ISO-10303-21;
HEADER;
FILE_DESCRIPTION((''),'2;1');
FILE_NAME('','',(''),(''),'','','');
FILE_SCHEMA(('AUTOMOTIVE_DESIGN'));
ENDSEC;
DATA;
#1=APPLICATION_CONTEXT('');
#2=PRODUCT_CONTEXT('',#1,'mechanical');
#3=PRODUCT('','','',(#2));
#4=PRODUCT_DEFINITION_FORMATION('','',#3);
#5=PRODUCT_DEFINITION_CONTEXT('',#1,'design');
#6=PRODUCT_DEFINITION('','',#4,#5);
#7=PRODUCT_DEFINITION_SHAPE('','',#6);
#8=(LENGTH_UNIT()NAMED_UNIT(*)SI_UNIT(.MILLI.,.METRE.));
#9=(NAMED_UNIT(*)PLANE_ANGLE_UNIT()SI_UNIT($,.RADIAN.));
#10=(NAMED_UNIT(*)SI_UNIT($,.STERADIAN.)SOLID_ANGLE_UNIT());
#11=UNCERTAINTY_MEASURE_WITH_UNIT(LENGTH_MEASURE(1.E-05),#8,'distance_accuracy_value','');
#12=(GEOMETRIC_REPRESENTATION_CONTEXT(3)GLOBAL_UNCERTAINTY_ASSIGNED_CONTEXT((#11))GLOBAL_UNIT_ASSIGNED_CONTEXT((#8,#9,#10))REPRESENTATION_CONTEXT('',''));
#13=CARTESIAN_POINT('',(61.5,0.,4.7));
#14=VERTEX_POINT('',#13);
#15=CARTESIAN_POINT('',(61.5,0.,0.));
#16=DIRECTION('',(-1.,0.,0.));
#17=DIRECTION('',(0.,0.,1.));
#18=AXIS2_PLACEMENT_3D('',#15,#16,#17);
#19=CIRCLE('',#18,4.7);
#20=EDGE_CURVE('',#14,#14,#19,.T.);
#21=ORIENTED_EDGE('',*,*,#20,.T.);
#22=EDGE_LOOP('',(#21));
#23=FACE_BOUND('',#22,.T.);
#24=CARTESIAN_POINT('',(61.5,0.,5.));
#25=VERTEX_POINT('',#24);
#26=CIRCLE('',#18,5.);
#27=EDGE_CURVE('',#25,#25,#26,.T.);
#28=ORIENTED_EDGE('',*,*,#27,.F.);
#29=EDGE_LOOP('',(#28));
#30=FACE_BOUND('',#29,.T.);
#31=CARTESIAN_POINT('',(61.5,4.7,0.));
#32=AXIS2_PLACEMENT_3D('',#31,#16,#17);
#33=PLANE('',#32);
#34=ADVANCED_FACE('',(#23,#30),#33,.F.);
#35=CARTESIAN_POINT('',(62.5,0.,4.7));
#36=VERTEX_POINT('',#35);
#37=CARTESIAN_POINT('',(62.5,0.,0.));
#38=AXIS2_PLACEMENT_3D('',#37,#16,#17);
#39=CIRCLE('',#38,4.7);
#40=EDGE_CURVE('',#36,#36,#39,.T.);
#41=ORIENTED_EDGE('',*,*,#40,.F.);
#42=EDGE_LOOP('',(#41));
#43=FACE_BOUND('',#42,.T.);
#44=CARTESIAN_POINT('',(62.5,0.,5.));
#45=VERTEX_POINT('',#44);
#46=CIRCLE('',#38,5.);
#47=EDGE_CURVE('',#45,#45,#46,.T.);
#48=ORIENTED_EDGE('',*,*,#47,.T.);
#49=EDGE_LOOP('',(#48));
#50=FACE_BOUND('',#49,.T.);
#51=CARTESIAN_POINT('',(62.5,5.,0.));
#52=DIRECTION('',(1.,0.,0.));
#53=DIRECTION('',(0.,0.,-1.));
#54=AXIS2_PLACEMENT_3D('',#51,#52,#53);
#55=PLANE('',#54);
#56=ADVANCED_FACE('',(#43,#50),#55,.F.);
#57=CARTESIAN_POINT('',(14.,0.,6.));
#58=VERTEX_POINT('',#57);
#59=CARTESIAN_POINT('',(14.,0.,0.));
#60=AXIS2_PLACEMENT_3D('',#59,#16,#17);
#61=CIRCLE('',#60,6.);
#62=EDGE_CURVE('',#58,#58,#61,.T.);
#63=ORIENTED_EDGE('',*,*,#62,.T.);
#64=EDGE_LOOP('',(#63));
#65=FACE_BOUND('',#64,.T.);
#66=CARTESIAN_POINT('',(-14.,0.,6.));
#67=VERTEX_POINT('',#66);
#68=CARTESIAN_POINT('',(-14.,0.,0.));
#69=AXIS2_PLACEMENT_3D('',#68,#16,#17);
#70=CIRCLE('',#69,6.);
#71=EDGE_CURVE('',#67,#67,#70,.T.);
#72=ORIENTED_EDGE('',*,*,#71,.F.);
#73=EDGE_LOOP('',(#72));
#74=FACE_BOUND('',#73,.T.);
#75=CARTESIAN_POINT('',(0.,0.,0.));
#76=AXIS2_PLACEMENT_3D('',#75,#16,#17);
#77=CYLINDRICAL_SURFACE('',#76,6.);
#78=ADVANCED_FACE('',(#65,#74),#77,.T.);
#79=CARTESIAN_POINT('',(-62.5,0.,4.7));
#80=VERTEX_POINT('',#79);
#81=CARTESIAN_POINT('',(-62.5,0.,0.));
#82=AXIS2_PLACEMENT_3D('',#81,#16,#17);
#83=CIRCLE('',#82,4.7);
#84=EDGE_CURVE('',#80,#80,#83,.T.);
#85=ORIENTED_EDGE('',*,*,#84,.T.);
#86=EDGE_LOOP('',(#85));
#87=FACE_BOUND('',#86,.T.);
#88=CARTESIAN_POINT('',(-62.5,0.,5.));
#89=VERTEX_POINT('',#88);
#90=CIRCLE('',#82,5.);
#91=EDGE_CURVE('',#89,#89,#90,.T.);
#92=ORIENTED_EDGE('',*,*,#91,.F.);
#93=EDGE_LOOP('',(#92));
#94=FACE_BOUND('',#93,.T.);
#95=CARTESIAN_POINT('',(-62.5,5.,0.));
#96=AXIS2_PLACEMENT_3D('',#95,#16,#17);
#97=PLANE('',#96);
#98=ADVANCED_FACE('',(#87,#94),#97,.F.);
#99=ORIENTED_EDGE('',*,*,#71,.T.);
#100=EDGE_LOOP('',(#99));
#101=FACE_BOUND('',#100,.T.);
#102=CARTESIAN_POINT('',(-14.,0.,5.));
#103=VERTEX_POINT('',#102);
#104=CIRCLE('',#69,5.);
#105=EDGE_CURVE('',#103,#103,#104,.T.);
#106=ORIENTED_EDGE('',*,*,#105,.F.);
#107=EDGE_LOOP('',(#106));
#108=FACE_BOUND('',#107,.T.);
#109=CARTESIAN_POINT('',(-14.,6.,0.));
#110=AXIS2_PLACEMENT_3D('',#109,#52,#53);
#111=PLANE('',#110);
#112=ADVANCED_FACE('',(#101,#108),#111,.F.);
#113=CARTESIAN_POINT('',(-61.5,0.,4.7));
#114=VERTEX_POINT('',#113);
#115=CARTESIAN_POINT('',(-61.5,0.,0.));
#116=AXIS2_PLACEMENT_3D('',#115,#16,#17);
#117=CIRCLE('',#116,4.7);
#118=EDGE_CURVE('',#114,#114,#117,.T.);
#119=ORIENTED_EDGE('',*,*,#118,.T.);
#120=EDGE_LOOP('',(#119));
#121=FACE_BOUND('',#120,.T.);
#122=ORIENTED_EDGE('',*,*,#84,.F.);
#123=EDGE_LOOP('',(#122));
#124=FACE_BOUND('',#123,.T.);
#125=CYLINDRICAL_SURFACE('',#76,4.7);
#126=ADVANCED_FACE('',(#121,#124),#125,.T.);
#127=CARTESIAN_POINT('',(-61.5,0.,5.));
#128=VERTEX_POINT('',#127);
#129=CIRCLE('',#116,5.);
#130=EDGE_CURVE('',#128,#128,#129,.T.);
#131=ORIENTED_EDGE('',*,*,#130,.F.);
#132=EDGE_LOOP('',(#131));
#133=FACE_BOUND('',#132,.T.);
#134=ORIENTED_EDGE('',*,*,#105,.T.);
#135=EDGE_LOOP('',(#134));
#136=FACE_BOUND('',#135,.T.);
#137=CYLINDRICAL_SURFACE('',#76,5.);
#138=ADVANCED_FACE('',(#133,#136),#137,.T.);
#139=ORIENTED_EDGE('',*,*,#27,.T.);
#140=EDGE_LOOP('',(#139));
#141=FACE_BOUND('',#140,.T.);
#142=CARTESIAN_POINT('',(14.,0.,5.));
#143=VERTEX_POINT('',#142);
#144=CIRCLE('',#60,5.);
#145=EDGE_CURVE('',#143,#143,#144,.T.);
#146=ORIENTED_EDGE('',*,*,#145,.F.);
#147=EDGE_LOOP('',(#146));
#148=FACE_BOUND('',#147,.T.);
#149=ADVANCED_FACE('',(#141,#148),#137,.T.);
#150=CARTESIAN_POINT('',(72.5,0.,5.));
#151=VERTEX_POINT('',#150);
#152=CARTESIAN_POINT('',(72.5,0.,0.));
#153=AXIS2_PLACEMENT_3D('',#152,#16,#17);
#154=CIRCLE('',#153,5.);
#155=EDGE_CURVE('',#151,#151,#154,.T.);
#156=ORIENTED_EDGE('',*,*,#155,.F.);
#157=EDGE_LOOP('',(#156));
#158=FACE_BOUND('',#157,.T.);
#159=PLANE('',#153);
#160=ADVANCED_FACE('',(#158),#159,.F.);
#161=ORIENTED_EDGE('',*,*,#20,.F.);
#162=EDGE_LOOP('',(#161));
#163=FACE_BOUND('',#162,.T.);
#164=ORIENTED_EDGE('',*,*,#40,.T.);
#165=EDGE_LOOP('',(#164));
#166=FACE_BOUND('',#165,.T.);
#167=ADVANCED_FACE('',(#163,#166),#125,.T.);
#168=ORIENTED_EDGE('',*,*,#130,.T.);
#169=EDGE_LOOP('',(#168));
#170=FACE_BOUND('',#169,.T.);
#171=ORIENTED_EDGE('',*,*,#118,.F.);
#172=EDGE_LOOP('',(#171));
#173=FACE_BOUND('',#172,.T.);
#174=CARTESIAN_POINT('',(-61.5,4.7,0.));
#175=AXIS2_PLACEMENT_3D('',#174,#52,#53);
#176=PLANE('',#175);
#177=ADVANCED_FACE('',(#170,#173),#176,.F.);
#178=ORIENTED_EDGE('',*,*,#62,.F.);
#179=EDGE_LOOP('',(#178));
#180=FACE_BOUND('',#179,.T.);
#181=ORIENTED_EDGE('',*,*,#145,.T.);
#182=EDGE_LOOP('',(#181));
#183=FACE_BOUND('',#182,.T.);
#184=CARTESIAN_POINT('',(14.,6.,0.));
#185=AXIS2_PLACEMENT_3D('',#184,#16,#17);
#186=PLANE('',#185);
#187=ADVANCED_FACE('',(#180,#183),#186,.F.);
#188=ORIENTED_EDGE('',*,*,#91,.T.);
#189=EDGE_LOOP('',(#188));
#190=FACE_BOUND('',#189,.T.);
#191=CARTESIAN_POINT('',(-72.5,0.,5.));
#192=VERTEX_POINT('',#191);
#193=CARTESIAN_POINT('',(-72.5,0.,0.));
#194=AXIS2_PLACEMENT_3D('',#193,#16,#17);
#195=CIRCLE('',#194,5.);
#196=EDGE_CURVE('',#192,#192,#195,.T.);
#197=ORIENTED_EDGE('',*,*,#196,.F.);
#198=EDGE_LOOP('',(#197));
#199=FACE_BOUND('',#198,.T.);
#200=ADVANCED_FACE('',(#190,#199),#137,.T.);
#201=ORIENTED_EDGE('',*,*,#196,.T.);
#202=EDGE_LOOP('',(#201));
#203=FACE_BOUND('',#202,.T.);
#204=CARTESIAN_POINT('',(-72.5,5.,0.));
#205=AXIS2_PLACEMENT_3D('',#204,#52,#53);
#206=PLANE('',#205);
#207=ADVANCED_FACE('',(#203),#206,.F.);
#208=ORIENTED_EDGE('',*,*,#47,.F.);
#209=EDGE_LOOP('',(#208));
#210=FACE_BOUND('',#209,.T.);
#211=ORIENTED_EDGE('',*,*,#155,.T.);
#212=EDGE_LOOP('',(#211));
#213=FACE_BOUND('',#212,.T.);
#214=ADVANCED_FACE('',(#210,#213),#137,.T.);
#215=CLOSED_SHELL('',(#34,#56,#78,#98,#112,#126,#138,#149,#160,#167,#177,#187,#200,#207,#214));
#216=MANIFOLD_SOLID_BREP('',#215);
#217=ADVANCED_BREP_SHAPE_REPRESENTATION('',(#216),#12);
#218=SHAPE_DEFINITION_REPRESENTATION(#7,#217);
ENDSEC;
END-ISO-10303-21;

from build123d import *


with BuildPart() as part:
    # Esquisse1 → Révolution1 (revolve)
    with BuildSketch(Plane.XY, mode=Mode.PRIVATE) as r_volution1_sk:
        Polygon((14, 6), (-14, 6), (-14, 5), (-61.5, 5), (-61.5, 4.7), (-62.5, 4.7), (-62.5, 5), (-72.5, 5), (-72.5, 0), (72.5, 0), (72.5, 5), (62.5, 5), (62.5, 4.7), (61.5, 4.7), (61.5, 5), (14, 5), align=None)
    revolve(r_volution1_sk.sketch.rotate(Axis((0, 0, 0), (1, 0, 0)), 90), axis=Axis((0, 0, 0), (1, 0, 0)))


solid = part.part
